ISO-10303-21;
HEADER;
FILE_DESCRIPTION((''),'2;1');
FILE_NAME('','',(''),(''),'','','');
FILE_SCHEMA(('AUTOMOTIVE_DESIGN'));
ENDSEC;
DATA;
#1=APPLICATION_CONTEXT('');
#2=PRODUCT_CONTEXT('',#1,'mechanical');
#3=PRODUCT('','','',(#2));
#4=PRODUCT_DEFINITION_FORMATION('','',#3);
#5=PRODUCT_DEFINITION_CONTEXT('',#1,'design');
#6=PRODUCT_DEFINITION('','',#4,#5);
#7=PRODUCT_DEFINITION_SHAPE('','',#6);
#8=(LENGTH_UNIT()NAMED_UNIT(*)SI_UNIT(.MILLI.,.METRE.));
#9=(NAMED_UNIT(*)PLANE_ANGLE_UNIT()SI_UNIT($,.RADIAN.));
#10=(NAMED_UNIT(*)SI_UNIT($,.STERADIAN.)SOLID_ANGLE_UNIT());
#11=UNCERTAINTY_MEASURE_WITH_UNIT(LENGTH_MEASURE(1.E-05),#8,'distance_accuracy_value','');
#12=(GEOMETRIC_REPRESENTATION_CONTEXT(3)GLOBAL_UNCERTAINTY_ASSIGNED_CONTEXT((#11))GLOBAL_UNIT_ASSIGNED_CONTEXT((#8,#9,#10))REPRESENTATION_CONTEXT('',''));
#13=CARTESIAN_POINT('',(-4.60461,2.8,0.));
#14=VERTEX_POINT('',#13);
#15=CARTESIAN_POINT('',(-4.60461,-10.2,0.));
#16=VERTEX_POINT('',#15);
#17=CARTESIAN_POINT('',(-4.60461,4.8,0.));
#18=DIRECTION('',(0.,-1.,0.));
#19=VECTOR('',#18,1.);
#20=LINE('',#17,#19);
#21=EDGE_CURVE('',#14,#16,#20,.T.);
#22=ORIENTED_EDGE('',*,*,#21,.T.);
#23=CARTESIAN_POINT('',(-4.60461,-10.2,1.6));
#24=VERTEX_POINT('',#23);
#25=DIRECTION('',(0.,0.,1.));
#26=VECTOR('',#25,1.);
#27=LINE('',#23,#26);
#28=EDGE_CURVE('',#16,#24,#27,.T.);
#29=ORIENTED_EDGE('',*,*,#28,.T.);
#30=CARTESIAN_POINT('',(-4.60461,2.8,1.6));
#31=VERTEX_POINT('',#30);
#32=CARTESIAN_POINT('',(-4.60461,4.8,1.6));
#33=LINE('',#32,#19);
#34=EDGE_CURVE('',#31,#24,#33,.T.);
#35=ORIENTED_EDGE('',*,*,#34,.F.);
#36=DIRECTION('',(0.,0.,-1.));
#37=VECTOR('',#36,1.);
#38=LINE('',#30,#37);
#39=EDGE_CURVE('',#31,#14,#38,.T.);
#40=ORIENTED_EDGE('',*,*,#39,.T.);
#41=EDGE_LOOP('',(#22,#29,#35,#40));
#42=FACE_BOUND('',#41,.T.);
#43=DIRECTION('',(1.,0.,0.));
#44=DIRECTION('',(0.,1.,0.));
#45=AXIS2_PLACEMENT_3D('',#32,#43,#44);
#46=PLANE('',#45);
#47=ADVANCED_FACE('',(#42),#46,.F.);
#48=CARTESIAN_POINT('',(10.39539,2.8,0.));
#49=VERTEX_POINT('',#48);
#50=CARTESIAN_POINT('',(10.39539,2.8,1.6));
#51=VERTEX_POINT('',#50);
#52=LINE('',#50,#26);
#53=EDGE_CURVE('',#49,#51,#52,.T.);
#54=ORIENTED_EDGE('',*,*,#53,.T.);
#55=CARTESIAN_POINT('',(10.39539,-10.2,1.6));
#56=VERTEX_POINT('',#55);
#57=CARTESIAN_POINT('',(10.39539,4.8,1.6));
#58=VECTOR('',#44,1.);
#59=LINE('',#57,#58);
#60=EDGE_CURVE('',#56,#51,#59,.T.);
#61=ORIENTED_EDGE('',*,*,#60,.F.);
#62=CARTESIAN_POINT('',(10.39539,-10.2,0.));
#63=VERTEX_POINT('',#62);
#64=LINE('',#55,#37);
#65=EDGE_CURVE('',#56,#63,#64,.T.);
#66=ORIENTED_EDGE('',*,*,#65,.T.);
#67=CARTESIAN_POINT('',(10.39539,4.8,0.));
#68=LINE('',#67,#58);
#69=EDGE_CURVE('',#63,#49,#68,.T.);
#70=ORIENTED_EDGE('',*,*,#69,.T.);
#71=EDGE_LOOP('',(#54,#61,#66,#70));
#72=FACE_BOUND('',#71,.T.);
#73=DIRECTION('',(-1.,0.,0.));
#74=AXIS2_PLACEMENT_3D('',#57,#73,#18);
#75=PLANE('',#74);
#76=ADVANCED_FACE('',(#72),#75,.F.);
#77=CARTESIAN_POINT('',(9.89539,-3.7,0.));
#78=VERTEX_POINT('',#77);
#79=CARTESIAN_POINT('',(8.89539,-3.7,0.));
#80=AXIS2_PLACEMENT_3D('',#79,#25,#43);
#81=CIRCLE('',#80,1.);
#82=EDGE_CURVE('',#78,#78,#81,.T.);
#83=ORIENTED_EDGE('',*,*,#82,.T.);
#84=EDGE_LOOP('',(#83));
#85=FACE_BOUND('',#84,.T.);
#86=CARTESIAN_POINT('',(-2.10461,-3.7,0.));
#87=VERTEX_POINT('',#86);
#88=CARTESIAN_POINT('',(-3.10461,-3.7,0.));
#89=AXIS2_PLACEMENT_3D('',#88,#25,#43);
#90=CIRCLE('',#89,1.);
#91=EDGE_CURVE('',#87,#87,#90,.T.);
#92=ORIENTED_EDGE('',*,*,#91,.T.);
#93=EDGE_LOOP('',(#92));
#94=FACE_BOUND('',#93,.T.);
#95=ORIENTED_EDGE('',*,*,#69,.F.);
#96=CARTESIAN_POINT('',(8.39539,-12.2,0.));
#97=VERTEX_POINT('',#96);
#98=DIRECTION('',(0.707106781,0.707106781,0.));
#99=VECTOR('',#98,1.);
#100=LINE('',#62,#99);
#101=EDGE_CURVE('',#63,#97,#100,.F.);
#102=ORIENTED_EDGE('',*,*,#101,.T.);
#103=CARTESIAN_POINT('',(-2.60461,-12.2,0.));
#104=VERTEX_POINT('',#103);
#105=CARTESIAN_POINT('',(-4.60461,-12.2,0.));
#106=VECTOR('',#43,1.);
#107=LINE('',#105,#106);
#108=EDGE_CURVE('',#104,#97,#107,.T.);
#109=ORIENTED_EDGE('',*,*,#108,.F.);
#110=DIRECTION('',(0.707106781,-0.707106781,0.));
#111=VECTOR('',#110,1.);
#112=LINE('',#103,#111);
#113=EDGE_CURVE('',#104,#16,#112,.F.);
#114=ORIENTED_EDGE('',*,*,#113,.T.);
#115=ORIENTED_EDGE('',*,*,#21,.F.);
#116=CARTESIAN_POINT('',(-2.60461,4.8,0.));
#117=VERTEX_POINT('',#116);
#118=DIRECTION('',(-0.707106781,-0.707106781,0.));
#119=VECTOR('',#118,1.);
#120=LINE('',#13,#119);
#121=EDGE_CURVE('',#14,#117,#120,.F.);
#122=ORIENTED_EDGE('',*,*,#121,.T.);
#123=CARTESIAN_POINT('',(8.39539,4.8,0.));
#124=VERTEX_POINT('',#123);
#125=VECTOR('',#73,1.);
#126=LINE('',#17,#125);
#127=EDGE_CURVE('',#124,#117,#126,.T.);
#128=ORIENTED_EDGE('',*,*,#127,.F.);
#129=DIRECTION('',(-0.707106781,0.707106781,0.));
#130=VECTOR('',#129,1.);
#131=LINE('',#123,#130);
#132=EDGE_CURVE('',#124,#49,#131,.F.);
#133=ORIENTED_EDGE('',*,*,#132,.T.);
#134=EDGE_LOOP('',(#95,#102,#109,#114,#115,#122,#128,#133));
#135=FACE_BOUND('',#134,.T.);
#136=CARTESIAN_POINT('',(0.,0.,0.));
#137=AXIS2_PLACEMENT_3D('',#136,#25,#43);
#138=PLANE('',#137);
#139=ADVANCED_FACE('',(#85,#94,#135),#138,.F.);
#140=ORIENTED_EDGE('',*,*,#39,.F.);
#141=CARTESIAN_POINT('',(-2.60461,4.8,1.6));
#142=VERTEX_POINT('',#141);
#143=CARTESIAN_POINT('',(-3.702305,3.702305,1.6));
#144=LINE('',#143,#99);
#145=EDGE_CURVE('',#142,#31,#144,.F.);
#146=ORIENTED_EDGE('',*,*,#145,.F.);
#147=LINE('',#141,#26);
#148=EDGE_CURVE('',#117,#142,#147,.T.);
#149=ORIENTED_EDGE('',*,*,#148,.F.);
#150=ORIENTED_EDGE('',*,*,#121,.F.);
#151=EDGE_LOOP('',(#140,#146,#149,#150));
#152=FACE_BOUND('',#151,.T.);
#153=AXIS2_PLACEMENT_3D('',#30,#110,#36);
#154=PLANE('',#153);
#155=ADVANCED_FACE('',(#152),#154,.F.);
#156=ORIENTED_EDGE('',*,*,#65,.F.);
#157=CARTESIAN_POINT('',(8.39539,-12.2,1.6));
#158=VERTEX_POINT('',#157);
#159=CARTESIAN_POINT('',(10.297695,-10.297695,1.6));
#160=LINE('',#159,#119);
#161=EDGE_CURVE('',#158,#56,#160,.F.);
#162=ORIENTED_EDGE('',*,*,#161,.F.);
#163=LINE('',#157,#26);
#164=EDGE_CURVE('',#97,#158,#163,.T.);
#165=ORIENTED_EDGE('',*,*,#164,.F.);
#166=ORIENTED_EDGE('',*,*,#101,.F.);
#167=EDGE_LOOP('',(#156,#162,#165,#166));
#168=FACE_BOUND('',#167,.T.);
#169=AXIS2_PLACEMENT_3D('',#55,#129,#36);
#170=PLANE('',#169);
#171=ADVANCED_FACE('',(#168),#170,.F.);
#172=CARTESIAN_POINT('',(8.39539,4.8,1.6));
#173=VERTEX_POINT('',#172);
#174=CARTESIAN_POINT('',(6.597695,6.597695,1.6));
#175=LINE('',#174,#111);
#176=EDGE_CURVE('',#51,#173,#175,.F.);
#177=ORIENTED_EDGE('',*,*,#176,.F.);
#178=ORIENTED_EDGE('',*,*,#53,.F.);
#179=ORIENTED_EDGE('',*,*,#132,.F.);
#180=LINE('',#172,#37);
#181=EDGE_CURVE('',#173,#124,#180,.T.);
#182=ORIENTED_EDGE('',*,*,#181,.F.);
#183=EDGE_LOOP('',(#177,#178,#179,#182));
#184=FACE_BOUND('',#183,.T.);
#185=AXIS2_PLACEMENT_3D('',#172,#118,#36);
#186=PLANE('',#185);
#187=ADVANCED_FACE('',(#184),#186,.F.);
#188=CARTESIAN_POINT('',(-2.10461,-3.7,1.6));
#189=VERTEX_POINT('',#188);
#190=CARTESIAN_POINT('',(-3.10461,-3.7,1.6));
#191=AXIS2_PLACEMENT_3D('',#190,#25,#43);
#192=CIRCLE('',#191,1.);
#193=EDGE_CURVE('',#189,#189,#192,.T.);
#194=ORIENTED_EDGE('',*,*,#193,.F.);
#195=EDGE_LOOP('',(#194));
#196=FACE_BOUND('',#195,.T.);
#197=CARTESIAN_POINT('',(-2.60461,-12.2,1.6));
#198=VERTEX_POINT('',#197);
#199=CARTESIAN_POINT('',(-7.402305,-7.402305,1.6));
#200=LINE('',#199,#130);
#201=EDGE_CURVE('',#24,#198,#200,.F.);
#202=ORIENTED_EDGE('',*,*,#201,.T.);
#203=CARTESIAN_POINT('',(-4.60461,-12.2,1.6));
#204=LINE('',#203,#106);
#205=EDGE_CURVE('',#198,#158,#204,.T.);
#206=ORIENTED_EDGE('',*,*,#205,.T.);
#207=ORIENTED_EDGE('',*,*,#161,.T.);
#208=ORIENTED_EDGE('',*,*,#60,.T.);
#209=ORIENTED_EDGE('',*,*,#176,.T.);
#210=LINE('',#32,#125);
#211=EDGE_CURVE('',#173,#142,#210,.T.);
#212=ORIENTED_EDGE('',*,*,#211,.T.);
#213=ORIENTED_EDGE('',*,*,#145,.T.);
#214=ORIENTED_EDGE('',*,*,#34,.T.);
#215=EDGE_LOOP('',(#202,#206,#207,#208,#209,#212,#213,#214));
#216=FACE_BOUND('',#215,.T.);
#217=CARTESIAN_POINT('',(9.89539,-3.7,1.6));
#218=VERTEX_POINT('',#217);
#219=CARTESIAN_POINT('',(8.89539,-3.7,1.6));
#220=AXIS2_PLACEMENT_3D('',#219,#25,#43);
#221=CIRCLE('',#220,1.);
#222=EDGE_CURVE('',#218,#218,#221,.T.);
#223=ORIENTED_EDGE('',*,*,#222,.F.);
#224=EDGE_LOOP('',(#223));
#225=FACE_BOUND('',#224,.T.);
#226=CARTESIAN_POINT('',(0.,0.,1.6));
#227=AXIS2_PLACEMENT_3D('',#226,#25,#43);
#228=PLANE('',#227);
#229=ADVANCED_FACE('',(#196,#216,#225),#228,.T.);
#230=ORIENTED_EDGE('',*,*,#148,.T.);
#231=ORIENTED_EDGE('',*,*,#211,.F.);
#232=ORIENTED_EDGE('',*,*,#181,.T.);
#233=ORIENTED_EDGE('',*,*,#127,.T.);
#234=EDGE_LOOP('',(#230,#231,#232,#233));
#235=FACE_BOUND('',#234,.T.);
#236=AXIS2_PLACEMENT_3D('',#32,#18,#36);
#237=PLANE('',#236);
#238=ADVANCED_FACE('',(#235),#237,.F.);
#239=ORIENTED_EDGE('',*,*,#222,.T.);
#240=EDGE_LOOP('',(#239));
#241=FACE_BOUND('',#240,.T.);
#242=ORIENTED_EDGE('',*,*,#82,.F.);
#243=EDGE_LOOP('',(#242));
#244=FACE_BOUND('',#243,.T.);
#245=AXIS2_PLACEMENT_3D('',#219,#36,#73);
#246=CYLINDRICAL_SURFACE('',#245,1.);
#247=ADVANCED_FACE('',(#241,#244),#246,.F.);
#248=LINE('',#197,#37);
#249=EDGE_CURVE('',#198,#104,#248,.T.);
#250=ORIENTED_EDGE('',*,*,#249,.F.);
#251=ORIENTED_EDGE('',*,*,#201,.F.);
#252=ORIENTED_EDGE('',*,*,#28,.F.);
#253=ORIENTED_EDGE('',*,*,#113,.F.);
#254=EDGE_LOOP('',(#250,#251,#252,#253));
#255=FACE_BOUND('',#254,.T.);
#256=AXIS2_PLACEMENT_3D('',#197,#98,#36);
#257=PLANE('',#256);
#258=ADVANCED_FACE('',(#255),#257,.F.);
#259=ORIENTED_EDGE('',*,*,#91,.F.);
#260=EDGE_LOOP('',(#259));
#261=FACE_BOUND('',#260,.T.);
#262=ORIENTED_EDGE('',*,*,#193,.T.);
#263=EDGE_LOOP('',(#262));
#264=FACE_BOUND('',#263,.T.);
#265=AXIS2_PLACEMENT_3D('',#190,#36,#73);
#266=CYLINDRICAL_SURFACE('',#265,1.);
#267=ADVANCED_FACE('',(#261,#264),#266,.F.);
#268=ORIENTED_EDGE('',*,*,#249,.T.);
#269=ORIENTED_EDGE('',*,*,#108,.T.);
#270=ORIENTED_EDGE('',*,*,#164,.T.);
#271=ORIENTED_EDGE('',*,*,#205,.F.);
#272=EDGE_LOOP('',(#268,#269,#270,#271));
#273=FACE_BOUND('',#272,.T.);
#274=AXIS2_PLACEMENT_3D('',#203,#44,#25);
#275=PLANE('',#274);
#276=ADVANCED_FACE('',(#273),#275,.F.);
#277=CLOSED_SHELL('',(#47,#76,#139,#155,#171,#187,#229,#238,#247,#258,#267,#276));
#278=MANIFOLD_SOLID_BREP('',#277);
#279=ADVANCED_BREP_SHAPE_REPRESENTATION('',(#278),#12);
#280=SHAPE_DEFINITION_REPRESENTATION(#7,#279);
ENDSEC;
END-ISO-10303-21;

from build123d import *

# Parameters (mm, degrees)
ESBO_O1_W                = 15
ESBO_O1_H                = 17
ESBO_O1_R                = 1
RESSALTO_EXTRUS_O1_DEPTH = 1.6
CHANFRO1_SIZE            = 2


with BuildPart() as part:
    # Esboço1 → Ressalto-extrusão1 (new body)
    with BuildSketch(Plane.XY):
        with Locations((2.895389518, -3.7)):
            Rectangle(ESBO_O1_W, ESBO_O1_H)
        with Locations((8.895389518, -3.7)):
            Circle(ESBO_O1_R, mode=Mode.SUBTRACT)
        with Locations((-3.104610482, -3.7)):
            Circle(ESBO_O1_R, mode=Mode.SUBTRACT)
    extrude(amount=RESSALTO_EXTRUS_O1_DEPTH)

    # Chanfro1
    chanfro1_edges = [part.edges().sort_by_distance(p)[0] for p in [
        (-4.604610482, 4.8, 0.8),
        (10.395389518, 4.8, 0.8),
        (10.395389518, -12.2, 0.8),
        (-4.604610482, -12.2, 0.8),
    ]]
    chamfer(chanfro1_edges, length=CHANFRO1_SIZE)


solid = part.part
